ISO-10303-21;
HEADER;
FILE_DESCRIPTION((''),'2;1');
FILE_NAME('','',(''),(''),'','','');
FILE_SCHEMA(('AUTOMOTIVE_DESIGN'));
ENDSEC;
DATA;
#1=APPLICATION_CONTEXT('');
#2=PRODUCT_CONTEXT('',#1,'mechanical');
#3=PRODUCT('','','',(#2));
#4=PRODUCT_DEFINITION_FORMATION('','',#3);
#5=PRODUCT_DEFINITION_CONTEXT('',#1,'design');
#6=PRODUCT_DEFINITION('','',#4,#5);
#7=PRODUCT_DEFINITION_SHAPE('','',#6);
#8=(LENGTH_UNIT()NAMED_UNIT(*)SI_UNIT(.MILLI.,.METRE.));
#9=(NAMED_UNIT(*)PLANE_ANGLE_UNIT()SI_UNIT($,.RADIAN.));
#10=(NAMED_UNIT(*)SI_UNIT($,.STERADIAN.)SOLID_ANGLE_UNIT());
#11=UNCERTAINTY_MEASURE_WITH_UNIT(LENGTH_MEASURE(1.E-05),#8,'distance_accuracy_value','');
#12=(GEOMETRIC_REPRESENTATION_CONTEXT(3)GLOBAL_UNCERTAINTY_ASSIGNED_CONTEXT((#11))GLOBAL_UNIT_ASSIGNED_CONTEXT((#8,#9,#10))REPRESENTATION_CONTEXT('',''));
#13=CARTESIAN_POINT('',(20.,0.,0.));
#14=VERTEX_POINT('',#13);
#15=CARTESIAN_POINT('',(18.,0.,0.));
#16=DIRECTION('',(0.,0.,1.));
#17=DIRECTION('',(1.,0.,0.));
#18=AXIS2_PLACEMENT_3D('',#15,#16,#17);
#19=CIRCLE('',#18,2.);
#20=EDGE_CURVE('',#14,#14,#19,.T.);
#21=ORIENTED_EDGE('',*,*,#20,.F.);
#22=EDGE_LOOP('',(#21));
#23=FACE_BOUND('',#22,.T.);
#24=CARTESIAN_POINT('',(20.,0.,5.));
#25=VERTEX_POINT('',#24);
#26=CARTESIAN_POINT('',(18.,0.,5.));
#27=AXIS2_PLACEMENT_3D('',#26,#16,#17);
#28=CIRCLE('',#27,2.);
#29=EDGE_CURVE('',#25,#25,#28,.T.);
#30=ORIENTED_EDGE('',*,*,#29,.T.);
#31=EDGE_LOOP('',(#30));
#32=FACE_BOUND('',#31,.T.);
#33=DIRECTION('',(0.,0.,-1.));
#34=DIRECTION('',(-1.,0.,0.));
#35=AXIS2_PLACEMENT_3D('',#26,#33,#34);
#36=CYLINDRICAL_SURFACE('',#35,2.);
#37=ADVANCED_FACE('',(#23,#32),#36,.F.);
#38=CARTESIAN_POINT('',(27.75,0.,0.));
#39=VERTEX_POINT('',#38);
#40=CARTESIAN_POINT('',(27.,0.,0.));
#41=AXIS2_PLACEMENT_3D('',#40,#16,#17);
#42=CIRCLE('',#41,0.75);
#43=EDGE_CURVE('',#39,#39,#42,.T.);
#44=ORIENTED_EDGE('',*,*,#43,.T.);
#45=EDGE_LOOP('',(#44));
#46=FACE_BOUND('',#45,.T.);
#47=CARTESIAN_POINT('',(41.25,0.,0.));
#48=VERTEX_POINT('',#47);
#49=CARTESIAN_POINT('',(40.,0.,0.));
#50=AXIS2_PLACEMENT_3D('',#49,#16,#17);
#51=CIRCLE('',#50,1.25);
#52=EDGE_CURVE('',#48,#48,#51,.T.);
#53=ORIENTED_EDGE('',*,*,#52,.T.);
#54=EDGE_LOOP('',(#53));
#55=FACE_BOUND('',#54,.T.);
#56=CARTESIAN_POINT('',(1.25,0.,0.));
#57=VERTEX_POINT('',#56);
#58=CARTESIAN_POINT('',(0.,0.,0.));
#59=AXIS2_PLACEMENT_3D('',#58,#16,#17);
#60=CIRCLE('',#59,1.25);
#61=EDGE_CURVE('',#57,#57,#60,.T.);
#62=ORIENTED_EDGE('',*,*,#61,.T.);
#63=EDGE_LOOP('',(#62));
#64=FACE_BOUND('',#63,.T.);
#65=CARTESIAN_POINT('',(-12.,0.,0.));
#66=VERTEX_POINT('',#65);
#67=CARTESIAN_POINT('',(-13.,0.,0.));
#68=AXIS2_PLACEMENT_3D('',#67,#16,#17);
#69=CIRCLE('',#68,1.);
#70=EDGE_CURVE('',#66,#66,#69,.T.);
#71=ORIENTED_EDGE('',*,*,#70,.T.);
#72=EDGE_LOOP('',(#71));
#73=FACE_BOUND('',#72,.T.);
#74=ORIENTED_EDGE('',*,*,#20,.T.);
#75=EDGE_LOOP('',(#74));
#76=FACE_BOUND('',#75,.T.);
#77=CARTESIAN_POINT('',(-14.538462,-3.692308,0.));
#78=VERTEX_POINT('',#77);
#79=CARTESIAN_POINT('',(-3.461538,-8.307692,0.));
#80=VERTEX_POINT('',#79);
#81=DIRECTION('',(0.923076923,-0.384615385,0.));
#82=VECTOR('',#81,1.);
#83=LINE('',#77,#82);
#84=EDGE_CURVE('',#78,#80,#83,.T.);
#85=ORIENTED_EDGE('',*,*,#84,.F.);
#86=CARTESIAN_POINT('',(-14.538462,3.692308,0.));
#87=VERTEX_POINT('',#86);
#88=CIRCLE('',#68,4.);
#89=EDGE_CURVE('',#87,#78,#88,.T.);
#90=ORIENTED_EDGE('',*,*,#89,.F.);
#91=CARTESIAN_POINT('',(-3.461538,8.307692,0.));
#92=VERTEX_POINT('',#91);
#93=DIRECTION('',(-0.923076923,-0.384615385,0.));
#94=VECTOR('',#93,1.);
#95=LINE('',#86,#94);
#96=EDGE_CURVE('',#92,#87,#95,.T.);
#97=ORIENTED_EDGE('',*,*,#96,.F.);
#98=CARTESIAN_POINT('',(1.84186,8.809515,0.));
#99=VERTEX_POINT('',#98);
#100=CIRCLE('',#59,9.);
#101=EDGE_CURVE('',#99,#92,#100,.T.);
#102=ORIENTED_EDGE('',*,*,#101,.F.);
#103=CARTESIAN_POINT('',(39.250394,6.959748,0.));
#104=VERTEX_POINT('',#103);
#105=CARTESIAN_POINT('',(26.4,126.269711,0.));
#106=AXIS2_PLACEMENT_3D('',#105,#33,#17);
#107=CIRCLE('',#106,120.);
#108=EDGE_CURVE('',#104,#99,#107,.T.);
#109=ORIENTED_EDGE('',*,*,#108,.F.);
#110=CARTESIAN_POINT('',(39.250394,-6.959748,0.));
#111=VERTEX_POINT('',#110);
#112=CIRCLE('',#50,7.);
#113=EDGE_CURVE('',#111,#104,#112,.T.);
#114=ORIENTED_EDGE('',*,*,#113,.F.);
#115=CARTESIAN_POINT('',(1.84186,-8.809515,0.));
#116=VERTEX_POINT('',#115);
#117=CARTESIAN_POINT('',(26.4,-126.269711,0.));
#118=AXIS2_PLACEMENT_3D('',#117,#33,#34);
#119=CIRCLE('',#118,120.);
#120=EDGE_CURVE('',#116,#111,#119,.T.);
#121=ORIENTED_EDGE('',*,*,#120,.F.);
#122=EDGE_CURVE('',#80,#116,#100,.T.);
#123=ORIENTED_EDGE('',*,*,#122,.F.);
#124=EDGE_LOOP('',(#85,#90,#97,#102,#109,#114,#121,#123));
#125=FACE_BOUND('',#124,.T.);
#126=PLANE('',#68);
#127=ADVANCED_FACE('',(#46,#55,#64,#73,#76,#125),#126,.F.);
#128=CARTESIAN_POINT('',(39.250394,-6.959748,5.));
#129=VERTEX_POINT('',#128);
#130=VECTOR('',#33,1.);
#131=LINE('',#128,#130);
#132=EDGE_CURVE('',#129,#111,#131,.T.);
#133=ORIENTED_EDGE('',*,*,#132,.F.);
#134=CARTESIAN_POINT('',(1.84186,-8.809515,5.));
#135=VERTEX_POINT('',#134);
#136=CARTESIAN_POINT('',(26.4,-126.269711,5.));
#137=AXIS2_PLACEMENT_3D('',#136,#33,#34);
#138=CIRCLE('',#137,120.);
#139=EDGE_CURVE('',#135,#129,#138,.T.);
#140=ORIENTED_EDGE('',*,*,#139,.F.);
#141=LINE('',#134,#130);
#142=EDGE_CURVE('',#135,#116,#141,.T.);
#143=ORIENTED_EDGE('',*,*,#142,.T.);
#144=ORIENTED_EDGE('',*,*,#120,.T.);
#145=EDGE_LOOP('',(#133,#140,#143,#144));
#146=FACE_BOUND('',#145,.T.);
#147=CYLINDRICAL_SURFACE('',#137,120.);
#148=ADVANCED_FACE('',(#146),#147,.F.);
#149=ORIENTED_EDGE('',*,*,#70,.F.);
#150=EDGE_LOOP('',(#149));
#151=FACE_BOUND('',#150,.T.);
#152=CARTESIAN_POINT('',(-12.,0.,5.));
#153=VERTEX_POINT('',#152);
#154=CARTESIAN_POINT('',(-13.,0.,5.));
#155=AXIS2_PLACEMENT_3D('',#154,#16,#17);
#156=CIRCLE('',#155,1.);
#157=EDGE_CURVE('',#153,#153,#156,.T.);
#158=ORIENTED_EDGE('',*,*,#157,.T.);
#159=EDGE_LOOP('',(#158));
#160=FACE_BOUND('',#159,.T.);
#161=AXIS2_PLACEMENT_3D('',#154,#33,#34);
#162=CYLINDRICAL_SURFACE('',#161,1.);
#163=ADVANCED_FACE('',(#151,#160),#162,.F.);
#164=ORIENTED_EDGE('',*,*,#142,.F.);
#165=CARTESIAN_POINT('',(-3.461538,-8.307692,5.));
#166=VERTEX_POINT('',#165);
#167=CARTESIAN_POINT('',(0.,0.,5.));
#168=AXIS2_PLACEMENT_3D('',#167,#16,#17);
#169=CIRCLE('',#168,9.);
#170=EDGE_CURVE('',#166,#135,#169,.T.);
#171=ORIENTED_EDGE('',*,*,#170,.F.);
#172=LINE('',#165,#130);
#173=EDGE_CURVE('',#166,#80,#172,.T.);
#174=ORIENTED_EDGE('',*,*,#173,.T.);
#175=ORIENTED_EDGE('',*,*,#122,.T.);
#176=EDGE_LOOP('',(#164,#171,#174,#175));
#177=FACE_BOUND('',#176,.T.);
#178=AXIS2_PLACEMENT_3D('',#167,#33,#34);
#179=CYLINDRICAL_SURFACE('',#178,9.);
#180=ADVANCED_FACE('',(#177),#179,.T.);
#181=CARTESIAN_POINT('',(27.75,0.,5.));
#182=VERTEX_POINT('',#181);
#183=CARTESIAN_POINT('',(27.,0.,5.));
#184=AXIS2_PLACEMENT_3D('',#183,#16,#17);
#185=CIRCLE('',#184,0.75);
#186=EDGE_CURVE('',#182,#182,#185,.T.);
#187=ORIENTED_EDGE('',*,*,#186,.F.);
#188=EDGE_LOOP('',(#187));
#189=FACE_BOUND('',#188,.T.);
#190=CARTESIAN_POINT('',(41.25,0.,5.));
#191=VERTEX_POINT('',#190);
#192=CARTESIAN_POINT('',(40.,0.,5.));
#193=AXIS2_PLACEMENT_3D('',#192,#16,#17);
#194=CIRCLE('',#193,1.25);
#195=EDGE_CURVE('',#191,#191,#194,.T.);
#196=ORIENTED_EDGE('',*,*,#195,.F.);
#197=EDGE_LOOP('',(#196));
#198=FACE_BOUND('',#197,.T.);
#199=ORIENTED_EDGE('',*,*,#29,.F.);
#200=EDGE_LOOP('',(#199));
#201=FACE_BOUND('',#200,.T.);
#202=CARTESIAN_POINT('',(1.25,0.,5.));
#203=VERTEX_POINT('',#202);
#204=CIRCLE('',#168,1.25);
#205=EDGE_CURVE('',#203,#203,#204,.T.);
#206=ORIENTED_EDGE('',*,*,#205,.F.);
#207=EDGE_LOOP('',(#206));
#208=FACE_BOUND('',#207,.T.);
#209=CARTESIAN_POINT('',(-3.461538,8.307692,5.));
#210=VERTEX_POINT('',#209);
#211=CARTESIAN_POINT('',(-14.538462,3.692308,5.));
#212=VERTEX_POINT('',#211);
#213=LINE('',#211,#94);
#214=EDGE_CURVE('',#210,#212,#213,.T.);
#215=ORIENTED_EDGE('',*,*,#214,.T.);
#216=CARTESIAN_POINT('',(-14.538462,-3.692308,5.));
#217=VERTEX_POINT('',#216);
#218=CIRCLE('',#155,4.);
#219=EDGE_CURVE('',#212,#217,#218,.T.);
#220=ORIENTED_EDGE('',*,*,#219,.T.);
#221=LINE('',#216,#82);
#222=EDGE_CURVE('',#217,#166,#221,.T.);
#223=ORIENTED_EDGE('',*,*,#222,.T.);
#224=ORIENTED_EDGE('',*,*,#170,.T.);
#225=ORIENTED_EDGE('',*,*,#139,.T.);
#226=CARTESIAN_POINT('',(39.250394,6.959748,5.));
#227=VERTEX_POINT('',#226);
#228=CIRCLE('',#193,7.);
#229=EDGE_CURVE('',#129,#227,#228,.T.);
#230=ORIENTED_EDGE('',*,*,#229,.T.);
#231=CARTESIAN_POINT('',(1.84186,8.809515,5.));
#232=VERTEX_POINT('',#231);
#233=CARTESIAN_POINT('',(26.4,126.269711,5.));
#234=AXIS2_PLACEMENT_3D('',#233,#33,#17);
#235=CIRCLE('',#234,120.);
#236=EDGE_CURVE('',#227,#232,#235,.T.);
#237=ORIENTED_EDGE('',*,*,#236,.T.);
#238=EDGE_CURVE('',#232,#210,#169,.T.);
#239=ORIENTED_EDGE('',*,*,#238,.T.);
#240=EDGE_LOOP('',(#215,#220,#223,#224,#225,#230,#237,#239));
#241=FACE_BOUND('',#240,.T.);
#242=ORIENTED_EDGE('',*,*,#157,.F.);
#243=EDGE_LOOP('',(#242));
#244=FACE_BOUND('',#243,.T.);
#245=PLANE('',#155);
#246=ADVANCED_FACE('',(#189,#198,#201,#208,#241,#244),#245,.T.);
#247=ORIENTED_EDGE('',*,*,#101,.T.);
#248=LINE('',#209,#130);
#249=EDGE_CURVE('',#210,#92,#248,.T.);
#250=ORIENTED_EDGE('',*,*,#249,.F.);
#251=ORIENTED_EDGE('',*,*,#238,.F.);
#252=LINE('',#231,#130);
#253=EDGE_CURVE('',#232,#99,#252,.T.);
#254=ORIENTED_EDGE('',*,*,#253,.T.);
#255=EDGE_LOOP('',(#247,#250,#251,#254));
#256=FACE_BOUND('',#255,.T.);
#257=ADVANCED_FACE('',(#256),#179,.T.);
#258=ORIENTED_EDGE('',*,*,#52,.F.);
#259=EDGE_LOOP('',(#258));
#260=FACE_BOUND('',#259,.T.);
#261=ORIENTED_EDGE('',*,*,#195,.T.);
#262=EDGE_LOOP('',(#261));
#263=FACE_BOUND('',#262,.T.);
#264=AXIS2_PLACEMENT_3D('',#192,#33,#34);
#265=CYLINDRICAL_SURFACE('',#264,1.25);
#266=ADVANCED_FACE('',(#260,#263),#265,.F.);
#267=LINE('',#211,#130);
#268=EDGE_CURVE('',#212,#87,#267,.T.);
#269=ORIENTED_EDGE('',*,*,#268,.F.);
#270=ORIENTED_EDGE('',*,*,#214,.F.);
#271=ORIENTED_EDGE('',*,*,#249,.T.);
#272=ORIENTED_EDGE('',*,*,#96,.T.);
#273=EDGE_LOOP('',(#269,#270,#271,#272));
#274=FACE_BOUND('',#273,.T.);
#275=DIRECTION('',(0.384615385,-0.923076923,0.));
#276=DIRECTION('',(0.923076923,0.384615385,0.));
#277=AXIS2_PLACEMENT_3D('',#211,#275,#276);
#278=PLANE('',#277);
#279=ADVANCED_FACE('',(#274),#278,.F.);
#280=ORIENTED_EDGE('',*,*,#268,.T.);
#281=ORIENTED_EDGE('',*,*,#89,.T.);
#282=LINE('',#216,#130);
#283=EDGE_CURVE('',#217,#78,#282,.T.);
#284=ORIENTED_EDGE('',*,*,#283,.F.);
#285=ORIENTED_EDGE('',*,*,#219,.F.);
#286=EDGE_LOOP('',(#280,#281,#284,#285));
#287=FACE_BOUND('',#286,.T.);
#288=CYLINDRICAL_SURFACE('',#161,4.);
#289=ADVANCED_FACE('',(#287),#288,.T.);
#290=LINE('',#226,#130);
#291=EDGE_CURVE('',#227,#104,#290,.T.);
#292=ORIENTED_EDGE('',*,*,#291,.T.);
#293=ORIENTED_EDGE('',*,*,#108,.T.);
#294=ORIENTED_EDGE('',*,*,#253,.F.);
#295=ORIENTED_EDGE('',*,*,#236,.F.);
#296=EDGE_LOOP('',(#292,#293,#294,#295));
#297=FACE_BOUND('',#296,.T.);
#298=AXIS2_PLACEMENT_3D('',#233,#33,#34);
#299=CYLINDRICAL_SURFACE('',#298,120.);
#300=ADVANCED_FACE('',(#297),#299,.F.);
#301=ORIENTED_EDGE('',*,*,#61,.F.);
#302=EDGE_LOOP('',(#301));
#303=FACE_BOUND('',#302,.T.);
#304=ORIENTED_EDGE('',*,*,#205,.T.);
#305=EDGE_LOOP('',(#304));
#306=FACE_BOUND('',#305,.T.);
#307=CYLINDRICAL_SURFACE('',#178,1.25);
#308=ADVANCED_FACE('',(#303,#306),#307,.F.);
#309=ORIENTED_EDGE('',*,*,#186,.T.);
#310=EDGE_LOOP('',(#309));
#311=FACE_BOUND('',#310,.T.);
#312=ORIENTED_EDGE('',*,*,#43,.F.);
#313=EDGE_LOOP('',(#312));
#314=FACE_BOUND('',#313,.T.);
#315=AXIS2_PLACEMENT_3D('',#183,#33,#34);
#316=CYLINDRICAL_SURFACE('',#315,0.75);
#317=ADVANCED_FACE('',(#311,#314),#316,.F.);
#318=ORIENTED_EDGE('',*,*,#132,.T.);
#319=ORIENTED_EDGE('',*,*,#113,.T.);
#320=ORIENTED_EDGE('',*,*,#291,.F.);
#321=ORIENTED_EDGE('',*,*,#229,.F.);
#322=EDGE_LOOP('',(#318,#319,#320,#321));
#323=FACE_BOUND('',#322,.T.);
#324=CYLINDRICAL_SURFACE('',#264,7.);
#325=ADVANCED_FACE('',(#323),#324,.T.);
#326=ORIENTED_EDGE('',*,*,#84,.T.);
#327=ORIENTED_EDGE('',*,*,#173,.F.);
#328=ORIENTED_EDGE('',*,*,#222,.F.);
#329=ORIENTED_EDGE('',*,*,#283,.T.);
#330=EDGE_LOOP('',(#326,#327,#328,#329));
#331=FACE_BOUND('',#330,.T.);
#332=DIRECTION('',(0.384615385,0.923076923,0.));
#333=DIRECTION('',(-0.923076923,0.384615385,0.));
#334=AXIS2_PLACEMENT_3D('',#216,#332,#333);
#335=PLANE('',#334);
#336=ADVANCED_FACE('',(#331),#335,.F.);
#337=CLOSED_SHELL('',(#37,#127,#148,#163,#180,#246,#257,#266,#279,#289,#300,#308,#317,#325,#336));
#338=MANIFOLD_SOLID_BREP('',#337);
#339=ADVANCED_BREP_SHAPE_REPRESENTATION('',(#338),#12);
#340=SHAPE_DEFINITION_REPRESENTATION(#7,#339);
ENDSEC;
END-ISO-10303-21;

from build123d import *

# Parameters (mm, degrees)
SKETCH1_R           = 1.25
SKETCH1_R_2         = 1
SKETCH1_R_3         = 2
SKETCH1_R_4         = 0.75
BOSS_EXTRUDE1_DEPTH = 5


with BuildPart() as part:
    # Sketch1 → Boss-Extrude1 (new body)
    with BuildSketch(Plane.XY):
        with BuildLine():
            Line((-14.538461538, 3.692307692), (-3.461538462, 8.307692308))
            ThreePointArc((-3.461538462, 8.307692308), (-0.847818166, 8.959977922), (1.841860465, 8.809514744))
            ThreePointArc((1.841860465, 8.809514744), (20.473513899, 6.416147504), (39.250393701, 6.959747869))
            ThreePointArc((39.250393701, 6.959747869), (47, 0), (39.250393701, -6.959747869))
            ThreePointArc((39.250393701, -6.959747869), (20.473513899, -6.416147504), (1.841860465, -8.809514744))
            ThreePointArc((1.841860465, -8.809514744), (-0.847818166, -8.959977922), (-3.461538462, -8.307692308))
            Line((-3.461538462, -8.307692308), (-14.538461538, -3.692307692))
            ThreePointArc((-14.538461538, -3.692307692), (-17, 0), (-14.538461538, 3.692307692))
        make_face()
        Circle(SKETCH1_R, mode=Mode.SUBTRACT)
        with Locations((40, 0)):
            Circle(SKETCH1_R, mode=Mode.SUBTRACT)
        with Locations((-13, 0)):
            Circle(SKETCH1_R_2, mode=Mode.SUBTRACT)
        with Locations((18, 0)):
            Circle(SKETCH1_R_3, mode=Mode.SUBTRACT)
        with Locations((27, 0)):
            Circle(SKETCH1_R_4, mode=Mode.SUBTRACT)
    extrude(amount=BOSS_EXTRUDE1_DEPTH)


solid = part.part
